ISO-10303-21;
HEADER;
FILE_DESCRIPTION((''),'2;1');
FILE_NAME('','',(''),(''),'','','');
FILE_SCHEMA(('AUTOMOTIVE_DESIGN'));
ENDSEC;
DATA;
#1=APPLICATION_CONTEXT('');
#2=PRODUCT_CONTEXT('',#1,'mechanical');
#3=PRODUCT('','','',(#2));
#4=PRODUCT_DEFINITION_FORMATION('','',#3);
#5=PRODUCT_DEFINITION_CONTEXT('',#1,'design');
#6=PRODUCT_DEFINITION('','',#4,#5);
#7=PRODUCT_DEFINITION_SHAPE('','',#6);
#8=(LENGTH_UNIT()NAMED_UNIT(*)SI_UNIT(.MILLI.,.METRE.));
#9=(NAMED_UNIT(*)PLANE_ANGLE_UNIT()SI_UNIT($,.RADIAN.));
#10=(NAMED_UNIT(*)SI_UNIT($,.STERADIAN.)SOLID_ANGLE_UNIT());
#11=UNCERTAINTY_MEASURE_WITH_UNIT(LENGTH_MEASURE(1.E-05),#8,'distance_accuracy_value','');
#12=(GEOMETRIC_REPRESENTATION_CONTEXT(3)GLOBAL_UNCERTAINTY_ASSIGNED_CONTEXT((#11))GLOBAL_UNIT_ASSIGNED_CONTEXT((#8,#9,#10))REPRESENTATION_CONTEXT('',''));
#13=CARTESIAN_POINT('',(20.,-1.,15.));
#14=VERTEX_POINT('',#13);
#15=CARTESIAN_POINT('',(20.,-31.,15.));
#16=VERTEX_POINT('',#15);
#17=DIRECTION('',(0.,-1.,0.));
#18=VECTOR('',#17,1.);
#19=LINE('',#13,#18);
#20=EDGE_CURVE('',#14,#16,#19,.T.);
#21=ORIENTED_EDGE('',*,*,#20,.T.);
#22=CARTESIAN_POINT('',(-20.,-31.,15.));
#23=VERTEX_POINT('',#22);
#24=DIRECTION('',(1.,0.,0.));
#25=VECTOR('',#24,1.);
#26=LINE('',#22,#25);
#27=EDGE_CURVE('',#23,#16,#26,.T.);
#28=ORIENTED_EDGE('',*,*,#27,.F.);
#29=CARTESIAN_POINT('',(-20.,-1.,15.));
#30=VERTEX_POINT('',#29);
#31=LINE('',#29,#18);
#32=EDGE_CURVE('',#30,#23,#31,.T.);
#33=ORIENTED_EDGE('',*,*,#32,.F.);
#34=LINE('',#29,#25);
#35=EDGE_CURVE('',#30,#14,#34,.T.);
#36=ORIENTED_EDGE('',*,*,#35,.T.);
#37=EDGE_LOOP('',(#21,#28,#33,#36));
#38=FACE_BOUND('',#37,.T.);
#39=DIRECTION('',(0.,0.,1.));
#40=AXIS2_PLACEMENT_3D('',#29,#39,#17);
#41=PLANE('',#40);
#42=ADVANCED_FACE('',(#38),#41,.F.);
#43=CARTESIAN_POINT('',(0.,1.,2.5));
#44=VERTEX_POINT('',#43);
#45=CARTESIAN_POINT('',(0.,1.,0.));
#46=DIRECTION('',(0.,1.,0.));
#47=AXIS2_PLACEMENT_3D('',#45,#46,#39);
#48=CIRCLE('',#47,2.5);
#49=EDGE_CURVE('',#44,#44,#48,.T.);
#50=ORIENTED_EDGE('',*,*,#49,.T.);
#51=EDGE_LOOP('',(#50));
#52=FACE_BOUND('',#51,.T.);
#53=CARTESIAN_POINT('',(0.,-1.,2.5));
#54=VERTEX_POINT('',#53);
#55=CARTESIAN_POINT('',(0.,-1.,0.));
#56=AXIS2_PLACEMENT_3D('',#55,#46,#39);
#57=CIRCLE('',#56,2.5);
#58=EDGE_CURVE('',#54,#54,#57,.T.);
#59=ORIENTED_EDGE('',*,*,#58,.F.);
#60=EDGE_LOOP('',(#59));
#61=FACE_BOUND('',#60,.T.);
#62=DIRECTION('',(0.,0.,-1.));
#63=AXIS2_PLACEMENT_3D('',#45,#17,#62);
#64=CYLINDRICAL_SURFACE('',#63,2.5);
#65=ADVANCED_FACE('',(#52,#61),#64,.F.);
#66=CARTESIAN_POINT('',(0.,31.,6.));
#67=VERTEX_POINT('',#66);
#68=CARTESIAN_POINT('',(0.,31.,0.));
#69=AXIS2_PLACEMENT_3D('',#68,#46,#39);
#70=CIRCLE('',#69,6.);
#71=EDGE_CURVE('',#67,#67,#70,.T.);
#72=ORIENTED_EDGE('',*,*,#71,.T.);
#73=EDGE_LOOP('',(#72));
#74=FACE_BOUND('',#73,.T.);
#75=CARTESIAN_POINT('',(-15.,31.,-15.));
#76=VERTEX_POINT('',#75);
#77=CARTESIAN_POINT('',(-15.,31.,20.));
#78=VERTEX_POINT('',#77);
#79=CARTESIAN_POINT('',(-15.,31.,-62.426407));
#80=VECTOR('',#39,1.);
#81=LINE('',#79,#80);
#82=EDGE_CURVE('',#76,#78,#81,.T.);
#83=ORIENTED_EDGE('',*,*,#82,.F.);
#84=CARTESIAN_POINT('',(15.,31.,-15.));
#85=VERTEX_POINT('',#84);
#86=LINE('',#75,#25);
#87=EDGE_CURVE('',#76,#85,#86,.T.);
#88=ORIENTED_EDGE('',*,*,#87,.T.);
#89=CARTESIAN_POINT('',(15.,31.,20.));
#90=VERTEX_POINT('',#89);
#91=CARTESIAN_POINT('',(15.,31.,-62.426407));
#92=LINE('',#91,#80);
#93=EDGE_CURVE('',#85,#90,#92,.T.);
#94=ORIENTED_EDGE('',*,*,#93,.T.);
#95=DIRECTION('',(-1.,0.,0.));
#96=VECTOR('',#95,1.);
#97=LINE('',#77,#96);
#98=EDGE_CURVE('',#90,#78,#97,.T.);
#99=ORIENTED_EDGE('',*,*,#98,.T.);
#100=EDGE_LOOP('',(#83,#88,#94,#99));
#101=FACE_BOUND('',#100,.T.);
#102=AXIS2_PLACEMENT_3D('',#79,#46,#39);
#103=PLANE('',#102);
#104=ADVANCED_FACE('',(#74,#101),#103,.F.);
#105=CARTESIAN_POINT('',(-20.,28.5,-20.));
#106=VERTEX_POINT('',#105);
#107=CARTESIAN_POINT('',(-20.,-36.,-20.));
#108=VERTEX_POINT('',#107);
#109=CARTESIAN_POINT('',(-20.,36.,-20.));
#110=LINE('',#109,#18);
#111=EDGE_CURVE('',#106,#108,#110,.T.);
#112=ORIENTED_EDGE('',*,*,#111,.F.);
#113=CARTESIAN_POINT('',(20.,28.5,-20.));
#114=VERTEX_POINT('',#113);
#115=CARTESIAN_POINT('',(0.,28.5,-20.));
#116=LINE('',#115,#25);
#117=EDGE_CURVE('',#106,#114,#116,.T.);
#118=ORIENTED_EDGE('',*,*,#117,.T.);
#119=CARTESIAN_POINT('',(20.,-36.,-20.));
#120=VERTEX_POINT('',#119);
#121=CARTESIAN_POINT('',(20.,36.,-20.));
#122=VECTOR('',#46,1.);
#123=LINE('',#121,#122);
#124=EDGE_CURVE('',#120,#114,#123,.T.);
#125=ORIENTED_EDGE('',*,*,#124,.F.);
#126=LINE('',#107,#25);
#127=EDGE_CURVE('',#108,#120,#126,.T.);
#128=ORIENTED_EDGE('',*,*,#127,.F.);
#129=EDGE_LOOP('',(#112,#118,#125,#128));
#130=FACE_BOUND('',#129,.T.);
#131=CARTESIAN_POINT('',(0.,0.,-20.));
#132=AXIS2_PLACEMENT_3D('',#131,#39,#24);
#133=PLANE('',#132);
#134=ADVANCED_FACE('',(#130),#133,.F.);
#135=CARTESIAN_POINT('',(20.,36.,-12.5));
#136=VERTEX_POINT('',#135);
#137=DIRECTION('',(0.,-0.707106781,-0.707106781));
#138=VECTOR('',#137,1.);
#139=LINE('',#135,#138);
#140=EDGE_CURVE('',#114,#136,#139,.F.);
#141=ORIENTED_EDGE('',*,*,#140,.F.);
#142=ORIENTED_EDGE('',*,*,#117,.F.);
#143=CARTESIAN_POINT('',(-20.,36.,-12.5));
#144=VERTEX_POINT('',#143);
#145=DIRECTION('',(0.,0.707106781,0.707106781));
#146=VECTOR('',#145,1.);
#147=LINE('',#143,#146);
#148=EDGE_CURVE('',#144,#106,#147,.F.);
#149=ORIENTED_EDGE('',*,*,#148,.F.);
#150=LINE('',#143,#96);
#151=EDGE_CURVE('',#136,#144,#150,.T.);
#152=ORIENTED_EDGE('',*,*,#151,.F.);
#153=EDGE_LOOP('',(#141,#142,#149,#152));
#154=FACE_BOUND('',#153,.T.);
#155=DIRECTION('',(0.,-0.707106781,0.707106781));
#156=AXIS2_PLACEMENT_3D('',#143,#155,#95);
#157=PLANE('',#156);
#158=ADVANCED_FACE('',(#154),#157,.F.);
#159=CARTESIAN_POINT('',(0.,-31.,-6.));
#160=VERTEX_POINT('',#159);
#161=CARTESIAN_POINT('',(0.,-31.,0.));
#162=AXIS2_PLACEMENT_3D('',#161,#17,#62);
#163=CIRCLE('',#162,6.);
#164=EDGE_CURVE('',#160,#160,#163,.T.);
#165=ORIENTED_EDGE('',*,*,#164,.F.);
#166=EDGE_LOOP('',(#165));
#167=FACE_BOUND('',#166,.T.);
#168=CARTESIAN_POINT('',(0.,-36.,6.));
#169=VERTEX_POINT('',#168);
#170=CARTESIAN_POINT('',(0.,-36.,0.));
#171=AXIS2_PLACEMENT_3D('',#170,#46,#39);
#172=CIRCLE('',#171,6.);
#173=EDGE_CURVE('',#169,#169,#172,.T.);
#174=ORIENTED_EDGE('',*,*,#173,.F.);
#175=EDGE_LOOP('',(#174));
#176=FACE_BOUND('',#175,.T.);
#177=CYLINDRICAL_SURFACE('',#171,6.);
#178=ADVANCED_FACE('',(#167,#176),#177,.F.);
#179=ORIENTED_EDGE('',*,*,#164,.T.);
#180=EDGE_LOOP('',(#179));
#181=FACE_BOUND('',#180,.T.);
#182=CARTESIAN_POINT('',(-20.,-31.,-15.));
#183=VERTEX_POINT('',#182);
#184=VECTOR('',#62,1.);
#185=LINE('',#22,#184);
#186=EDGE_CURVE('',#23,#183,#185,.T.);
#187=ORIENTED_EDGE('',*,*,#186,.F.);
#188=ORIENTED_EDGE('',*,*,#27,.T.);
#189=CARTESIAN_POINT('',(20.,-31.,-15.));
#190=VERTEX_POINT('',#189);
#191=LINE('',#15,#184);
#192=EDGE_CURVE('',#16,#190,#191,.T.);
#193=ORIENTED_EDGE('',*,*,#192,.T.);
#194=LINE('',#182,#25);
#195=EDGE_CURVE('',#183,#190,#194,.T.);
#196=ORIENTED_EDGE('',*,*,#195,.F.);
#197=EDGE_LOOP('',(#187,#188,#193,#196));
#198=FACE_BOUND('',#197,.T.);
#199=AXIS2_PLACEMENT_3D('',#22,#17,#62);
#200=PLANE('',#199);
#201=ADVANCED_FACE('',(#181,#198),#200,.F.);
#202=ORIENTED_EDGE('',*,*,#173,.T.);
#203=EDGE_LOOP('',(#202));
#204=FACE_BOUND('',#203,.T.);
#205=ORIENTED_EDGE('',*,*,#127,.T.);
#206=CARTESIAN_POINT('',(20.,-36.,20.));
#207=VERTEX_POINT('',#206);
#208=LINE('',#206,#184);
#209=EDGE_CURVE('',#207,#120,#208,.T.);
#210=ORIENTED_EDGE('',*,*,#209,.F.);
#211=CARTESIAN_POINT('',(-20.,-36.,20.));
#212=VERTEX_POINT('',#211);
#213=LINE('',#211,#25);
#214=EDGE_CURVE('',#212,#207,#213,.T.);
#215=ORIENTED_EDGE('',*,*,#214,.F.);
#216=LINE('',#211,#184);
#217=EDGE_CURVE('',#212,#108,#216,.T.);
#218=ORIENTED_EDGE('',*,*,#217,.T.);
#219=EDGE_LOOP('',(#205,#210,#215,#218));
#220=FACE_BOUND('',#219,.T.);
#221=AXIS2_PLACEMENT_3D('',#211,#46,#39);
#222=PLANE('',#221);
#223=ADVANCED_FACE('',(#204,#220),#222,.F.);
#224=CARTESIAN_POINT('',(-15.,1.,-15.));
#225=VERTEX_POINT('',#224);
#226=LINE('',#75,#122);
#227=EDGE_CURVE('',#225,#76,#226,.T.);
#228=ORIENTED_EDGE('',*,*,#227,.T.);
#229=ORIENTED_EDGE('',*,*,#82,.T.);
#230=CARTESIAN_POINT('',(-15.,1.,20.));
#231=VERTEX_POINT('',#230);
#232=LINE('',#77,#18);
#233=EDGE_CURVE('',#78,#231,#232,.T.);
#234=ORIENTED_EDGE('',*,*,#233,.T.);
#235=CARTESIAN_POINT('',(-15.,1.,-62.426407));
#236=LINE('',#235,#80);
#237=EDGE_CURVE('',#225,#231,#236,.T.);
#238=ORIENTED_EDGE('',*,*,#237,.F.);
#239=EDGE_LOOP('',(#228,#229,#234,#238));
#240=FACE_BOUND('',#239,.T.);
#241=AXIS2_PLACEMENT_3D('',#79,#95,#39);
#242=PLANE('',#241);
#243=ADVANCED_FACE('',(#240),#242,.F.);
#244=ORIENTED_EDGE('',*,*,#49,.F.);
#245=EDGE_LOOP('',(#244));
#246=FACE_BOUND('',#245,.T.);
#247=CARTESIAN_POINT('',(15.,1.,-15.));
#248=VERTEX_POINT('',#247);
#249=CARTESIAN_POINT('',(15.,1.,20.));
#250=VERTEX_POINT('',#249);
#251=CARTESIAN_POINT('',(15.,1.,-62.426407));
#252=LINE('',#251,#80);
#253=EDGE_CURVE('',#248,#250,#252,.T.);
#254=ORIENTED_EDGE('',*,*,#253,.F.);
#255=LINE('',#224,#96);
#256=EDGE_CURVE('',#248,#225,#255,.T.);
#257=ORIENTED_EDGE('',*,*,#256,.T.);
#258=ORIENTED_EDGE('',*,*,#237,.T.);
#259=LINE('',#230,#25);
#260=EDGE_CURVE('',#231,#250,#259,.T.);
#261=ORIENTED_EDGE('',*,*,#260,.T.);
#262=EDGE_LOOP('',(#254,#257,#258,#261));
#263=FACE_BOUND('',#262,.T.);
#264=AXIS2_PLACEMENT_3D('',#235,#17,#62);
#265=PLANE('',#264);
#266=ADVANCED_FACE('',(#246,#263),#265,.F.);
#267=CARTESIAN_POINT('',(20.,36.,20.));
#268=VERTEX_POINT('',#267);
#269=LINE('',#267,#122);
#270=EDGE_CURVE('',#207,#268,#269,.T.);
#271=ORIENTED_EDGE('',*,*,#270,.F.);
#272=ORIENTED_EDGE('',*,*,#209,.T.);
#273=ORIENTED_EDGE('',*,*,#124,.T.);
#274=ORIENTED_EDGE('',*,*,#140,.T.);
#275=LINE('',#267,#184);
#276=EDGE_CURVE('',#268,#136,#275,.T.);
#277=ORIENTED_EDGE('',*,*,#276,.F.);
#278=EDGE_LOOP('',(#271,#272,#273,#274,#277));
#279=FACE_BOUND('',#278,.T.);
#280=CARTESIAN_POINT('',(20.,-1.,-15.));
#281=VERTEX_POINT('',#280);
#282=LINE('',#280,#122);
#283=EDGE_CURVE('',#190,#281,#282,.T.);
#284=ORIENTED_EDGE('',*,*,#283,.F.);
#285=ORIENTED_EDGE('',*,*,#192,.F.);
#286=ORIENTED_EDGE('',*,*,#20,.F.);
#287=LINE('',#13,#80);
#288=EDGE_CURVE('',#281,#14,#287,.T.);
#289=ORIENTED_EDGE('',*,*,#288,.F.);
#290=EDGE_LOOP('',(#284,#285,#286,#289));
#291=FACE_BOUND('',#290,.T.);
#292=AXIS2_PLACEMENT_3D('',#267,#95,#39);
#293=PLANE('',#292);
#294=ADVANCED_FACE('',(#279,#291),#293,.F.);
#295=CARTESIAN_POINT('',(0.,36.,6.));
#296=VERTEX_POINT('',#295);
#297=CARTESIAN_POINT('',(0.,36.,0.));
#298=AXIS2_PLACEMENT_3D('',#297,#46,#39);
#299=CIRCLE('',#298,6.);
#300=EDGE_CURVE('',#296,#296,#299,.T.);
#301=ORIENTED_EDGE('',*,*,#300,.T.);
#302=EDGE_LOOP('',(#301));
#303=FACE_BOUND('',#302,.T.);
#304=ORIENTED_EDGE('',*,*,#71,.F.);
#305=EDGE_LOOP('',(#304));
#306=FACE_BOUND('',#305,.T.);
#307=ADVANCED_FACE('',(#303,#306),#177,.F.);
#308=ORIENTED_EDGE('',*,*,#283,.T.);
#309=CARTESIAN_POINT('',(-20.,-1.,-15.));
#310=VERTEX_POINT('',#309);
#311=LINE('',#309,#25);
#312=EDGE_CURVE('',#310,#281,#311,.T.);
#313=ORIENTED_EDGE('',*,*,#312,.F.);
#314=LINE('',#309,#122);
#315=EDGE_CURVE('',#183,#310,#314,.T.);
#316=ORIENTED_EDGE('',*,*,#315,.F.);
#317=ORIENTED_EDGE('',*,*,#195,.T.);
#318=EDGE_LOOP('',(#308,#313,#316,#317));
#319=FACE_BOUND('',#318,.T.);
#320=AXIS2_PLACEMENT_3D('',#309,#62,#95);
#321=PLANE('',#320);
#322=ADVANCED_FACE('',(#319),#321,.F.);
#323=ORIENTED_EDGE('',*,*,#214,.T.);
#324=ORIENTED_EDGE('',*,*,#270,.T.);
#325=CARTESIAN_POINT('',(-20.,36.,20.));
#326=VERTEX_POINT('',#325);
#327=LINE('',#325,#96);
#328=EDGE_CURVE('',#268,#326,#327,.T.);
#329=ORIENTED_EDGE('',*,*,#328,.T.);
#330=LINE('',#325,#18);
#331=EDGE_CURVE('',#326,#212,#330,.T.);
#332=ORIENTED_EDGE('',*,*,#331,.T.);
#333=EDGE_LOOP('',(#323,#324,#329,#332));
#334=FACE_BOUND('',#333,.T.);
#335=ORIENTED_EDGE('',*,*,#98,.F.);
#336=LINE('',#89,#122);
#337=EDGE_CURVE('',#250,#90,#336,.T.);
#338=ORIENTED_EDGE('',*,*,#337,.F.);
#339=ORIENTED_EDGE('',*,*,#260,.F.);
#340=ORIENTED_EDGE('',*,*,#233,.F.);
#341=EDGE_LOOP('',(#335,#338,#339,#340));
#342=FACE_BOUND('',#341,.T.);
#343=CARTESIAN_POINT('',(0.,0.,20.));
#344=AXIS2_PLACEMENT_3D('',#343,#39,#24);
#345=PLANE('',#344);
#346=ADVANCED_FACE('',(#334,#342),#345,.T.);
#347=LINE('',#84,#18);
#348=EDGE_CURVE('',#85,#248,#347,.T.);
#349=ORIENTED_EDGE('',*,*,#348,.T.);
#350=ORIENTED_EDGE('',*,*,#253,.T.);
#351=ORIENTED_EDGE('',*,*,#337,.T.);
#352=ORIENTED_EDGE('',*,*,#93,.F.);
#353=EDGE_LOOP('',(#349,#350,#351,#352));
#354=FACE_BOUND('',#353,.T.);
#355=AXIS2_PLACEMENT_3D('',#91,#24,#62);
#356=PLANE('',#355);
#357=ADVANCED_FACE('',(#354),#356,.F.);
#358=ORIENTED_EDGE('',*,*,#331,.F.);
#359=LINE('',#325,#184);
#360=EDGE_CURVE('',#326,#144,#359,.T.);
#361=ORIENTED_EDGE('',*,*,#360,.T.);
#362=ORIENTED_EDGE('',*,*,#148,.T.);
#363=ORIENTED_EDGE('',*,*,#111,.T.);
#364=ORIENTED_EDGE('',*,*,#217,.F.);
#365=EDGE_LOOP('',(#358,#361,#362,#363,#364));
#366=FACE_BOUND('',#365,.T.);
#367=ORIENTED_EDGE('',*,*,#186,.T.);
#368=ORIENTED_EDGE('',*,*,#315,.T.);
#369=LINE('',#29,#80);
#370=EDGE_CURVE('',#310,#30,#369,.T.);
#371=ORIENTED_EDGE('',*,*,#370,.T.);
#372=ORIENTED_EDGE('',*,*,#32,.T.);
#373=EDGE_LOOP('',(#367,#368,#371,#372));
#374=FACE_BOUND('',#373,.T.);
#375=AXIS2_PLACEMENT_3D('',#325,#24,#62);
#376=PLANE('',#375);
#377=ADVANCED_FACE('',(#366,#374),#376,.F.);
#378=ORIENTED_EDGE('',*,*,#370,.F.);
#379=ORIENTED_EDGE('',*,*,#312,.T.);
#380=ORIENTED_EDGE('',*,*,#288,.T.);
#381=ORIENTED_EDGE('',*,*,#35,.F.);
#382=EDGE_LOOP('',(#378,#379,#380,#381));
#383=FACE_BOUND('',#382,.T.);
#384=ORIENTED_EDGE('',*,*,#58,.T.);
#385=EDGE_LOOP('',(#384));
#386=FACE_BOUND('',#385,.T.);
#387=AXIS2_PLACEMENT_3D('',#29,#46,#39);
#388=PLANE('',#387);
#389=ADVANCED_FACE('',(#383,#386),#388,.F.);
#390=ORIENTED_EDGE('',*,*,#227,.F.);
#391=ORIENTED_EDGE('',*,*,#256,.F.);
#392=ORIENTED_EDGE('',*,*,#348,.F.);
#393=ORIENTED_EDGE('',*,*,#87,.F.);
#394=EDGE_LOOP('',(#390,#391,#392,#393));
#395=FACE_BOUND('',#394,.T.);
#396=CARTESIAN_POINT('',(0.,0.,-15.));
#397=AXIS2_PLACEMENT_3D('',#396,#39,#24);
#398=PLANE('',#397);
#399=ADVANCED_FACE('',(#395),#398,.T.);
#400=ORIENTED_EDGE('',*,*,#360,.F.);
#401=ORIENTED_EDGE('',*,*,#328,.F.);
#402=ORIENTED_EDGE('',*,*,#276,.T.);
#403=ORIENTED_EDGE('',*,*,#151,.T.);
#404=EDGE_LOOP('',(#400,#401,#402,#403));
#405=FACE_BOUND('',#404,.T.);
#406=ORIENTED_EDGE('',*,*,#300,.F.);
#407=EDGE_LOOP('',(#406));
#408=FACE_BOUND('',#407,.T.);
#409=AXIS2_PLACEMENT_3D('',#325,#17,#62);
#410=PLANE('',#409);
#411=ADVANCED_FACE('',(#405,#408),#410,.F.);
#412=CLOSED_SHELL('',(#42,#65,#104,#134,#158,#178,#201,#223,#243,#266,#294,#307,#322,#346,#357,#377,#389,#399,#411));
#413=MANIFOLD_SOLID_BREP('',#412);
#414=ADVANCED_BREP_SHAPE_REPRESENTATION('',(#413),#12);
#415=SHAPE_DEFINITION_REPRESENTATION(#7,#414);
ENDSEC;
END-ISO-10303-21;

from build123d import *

# Parameters (mm, degrees)
SKETCH2_W               = 40
SKETCH2_H               = 72
BOSS_EXTRUDE1_DEPTH     = 20
SKETCH3_W               = 30
SKETCH3_H               = 30
CUT_EXTRUDE1_DEPTH      = 35
CUT_EXTRUDE2_DEPTH      = 46.782092569
CUT_EXTRUDE2_DEPTH_BACK = 46.782092569
SKETCH4_W               = 30
SKETCH4_H               = 30
CHAMFER1_SIZE           = 7.5
CUT_EXTRUDE3_DEPTH      = 46.782092569
CUT_EXTRUDE3_DEPTH_BACK = 46.782092569
SKETCH5_R               = 6
SKETCH6_R               = 6
SKETCH6_R_2             = 2.5
BOSS_EXTRUDE2_DEPTH     = 1


with BuildPart() as part:
    # Sketch2 → Boss-Extrude1 (new, symmetric)
    with BuildSketch(Plane.XY):
        Rectangle(SKETCH2_W, SKETCH2_H)
    extrude(amount=BOSS_EXTRUDE1_DEPTH, both=True)

    # Sketch3 → Cut-Extrude1 (cut)
    with BuildSketch(Plane.XY.offset(20)):
        with Locations((0, 16)):
            Rectangle(SKETCH3_W, SKETCH3_H)
    extrude(amount=-CUT_EXTRUDE1_DEPTH, mode=Mode.SUBTRACT)

    # Sketch4 → Cut-Extrude2 (cut, two sides: drawn at the far end of the back side and taken through both)
    with BuildSketch(Plane(origin=(0, 0, 0), x_dir=(0, 0, -1), z_dir=(1, 0, 0)).offset(-CUT_EXTRUDE2_DEPTH_BACK)):
        with Locations((0, -16)):
            Rectangle(SKETCH4_W, SKETCH4_H)
    extrude(amount=CUT_EXTRUDE2_DEPTH + CUT_EXTRUDE2_DEPTH_BACK, mode=Mode.SUBTRACT)

    # Chamfer1
    chamfer1_edges = [part.edges().sort_by_distance(p)[0] for p in [
        (0, 36, -20),
    ]]
    chamfer(chamfer1_edges, length=CHAMFER1_SIZE)

    # Sketch5 → Cut-Extrude3 (cut, two sides: drawn at the far end of the back side and taken through both)
    with BuildSketch(Plane(origin=(0, 0, 0), x_dir=(1, 0, 0), z_dir=(0, 1, 0)).offset(-CUT_EXTRUDE3_DEPTH_BACK)):
        with Locations(Location((0, 0, 0), (0, 0, 270))):
            Circle(SKETCH5_R)
    extrude(amount=CUT_EXTRUDE3_DEPTH + CUT_EXTRUDE3_DEPTH_BACK, mode=Mode.SUBTRACT)

    # Sketch6 → Boss-Extrude2 (add, symmetric)
    with BuildSketch(Plane(origin=(0, 0, 0), x_dir=(1, 0, 0), z_dir=(0, 1, 0))):
        with Locations(Location((0, 0, 0), (0, 0, 270))):
            Circle(SKETCH6_R)
        with Locations(Location((0, 0, 0), (0, 0, 270))):
            Circle(SKETCH6_R_2, mode=Mode.SUBTRACT)
    extrude(amount=BOSS_EXTRUDE2_DEPTH, both=True)


solid = part.part
